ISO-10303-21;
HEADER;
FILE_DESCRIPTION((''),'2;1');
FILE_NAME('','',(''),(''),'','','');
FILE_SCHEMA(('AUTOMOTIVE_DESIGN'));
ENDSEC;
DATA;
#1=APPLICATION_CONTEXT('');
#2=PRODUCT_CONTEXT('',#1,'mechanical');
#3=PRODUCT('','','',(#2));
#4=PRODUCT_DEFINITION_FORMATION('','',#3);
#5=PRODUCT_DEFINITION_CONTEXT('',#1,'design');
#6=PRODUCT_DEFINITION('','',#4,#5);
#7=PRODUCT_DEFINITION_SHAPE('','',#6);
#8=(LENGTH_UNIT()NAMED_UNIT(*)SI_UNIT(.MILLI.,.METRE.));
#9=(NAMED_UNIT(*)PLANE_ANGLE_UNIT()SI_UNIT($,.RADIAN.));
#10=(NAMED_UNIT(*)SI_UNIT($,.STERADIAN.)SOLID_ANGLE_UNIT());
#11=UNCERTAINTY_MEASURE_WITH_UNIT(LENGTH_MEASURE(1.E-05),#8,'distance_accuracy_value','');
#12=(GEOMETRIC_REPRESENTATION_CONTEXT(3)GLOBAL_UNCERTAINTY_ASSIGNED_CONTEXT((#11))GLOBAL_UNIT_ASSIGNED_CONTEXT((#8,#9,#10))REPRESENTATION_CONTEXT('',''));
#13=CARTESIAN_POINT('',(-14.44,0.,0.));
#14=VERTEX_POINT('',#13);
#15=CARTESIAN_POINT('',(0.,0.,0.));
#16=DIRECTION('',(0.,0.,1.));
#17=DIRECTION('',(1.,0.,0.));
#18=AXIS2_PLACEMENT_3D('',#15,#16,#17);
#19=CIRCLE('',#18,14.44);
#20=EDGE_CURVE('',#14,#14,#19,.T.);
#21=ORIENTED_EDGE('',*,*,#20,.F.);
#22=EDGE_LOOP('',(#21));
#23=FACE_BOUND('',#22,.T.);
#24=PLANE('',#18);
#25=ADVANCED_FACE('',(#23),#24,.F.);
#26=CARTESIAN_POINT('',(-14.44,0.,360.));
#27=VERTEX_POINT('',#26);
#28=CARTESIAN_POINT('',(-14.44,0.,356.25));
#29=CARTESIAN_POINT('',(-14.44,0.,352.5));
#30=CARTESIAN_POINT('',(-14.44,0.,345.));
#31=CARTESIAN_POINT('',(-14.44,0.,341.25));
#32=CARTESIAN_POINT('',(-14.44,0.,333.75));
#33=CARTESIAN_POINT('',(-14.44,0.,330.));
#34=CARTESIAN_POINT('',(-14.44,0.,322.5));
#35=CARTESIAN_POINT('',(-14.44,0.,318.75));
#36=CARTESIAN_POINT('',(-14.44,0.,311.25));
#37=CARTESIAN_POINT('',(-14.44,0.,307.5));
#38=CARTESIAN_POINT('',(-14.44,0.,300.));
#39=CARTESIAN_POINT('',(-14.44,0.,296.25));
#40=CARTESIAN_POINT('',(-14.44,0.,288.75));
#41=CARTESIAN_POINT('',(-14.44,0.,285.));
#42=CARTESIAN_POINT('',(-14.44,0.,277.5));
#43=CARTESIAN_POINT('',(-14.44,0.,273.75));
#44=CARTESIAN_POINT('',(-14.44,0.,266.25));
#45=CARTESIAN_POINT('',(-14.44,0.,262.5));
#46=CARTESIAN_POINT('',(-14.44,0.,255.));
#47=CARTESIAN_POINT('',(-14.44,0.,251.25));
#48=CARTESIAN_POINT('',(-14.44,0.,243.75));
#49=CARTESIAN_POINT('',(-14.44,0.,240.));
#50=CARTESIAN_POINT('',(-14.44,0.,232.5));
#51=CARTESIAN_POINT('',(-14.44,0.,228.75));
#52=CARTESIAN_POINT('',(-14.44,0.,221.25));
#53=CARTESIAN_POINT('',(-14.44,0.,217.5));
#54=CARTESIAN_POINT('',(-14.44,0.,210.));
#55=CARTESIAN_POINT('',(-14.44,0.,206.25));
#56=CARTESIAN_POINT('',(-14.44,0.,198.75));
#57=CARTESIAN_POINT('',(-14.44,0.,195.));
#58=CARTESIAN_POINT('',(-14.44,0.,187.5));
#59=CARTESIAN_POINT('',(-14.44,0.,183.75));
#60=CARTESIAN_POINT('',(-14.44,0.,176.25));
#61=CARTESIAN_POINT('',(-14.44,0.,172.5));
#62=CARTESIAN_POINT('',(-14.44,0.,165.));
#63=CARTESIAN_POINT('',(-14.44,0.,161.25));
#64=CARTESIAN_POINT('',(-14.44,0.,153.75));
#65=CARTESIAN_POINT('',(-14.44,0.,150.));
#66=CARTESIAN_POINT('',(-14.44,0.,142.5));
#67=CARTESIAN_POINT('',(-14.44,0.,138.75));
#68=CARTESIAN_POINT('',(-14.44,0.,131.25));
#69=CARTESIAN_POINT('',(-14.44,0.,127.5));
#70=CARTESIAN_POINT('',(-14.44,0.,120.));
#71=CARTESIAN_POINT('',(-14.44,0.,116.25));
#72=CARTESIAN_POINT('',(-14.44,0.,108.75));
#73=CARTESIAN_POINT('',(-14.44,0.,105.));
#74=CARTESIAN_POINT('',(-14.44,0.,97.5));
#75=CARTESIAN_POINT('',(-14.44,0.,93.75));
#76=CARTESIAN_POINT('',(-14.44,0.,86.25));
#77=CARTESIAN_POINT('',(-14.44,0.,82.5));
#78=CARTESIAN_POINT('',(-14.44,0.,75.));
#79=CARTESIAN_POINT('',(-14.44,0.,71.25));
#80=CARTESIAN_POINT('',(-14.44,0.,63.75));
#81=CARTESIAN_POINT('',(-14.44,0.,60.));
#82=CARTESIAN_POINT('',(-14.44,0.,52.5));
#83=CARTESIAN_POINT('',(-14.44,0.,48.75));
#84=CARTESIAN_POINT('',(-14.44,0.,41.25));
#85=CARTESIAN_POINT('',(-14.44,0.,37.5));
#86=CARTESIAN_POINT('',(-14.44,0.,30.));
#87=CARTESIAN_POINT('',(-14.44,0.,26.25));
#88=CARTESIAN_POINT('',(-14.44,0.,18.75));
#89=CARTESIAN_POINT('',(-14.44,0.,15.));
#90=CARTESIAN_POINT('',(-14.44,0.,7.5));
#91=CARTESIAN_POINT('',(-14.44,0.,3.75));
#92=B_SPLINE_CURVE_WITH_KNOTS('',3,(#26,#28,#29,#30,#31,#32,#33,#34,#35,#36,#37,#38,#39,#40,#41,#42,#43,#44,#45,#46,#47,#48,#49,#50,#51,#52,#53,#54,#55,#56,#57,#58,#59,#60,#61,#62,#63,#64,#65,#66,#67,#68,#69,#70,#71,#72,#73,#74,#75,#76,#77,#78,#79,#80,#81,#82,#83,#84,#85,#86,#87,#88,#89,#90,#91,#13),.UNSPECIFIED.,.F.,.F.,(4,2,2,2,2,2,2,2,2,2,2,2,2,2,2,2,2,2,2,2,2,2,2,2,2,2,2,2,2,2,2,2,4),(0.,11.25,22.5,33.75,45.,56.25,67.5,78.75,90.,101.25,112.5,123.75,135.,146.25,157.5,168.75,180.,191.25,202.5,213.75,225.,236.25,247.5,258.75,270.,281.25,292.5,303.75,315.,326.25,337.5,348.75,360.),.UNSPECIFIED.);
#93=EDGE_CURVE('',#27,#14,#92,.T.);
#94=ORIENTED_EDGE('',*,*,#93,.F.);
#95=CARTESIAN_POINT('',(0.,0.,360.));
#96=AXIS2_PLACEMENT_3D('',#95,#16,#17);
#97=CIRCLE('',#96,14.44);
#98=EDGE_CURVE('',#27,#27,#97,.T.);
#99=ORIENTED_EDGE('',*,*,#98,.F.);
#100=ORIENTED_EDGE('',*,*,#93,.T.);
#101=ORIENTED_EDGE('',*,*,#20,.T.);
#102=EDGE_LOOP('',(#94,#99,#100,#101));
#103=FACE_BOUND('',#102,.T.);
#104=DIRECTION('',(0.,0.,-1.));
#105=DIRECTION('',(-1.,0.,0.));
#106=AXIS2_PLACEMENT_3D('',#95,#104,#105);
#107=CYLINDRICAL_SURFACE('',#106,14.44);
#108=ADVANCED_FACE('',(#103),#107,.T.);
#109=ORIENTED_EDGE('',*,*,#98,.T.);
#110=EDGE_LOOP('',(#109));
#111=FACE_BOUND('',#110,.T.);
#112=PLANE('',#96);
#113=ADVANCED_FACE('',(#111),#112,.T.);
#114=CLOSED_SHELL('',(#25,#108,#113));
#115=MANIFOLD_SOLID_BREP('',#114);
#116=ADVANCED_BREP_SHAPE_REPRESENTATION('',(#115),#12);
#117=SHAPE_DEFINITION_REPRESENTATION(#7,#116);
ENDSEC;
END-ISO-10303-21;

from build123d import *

# Parameters (mm, degrees)
SKETCH_1_R      = 14.44
EXTRUDE_1_DEPTH = 360


with BuildPart() as part:
    # 草图1 → 凸台-拉伸1 (new body)
    with BuildSketch(Plane.XY):
        with Locations(Location((0, 0, 0), (0, 0, 180))):
            Circle(SKETCH_1_R)
    extrude(amount=EXTRUDE_1_DEPTH)


solid = part.part
